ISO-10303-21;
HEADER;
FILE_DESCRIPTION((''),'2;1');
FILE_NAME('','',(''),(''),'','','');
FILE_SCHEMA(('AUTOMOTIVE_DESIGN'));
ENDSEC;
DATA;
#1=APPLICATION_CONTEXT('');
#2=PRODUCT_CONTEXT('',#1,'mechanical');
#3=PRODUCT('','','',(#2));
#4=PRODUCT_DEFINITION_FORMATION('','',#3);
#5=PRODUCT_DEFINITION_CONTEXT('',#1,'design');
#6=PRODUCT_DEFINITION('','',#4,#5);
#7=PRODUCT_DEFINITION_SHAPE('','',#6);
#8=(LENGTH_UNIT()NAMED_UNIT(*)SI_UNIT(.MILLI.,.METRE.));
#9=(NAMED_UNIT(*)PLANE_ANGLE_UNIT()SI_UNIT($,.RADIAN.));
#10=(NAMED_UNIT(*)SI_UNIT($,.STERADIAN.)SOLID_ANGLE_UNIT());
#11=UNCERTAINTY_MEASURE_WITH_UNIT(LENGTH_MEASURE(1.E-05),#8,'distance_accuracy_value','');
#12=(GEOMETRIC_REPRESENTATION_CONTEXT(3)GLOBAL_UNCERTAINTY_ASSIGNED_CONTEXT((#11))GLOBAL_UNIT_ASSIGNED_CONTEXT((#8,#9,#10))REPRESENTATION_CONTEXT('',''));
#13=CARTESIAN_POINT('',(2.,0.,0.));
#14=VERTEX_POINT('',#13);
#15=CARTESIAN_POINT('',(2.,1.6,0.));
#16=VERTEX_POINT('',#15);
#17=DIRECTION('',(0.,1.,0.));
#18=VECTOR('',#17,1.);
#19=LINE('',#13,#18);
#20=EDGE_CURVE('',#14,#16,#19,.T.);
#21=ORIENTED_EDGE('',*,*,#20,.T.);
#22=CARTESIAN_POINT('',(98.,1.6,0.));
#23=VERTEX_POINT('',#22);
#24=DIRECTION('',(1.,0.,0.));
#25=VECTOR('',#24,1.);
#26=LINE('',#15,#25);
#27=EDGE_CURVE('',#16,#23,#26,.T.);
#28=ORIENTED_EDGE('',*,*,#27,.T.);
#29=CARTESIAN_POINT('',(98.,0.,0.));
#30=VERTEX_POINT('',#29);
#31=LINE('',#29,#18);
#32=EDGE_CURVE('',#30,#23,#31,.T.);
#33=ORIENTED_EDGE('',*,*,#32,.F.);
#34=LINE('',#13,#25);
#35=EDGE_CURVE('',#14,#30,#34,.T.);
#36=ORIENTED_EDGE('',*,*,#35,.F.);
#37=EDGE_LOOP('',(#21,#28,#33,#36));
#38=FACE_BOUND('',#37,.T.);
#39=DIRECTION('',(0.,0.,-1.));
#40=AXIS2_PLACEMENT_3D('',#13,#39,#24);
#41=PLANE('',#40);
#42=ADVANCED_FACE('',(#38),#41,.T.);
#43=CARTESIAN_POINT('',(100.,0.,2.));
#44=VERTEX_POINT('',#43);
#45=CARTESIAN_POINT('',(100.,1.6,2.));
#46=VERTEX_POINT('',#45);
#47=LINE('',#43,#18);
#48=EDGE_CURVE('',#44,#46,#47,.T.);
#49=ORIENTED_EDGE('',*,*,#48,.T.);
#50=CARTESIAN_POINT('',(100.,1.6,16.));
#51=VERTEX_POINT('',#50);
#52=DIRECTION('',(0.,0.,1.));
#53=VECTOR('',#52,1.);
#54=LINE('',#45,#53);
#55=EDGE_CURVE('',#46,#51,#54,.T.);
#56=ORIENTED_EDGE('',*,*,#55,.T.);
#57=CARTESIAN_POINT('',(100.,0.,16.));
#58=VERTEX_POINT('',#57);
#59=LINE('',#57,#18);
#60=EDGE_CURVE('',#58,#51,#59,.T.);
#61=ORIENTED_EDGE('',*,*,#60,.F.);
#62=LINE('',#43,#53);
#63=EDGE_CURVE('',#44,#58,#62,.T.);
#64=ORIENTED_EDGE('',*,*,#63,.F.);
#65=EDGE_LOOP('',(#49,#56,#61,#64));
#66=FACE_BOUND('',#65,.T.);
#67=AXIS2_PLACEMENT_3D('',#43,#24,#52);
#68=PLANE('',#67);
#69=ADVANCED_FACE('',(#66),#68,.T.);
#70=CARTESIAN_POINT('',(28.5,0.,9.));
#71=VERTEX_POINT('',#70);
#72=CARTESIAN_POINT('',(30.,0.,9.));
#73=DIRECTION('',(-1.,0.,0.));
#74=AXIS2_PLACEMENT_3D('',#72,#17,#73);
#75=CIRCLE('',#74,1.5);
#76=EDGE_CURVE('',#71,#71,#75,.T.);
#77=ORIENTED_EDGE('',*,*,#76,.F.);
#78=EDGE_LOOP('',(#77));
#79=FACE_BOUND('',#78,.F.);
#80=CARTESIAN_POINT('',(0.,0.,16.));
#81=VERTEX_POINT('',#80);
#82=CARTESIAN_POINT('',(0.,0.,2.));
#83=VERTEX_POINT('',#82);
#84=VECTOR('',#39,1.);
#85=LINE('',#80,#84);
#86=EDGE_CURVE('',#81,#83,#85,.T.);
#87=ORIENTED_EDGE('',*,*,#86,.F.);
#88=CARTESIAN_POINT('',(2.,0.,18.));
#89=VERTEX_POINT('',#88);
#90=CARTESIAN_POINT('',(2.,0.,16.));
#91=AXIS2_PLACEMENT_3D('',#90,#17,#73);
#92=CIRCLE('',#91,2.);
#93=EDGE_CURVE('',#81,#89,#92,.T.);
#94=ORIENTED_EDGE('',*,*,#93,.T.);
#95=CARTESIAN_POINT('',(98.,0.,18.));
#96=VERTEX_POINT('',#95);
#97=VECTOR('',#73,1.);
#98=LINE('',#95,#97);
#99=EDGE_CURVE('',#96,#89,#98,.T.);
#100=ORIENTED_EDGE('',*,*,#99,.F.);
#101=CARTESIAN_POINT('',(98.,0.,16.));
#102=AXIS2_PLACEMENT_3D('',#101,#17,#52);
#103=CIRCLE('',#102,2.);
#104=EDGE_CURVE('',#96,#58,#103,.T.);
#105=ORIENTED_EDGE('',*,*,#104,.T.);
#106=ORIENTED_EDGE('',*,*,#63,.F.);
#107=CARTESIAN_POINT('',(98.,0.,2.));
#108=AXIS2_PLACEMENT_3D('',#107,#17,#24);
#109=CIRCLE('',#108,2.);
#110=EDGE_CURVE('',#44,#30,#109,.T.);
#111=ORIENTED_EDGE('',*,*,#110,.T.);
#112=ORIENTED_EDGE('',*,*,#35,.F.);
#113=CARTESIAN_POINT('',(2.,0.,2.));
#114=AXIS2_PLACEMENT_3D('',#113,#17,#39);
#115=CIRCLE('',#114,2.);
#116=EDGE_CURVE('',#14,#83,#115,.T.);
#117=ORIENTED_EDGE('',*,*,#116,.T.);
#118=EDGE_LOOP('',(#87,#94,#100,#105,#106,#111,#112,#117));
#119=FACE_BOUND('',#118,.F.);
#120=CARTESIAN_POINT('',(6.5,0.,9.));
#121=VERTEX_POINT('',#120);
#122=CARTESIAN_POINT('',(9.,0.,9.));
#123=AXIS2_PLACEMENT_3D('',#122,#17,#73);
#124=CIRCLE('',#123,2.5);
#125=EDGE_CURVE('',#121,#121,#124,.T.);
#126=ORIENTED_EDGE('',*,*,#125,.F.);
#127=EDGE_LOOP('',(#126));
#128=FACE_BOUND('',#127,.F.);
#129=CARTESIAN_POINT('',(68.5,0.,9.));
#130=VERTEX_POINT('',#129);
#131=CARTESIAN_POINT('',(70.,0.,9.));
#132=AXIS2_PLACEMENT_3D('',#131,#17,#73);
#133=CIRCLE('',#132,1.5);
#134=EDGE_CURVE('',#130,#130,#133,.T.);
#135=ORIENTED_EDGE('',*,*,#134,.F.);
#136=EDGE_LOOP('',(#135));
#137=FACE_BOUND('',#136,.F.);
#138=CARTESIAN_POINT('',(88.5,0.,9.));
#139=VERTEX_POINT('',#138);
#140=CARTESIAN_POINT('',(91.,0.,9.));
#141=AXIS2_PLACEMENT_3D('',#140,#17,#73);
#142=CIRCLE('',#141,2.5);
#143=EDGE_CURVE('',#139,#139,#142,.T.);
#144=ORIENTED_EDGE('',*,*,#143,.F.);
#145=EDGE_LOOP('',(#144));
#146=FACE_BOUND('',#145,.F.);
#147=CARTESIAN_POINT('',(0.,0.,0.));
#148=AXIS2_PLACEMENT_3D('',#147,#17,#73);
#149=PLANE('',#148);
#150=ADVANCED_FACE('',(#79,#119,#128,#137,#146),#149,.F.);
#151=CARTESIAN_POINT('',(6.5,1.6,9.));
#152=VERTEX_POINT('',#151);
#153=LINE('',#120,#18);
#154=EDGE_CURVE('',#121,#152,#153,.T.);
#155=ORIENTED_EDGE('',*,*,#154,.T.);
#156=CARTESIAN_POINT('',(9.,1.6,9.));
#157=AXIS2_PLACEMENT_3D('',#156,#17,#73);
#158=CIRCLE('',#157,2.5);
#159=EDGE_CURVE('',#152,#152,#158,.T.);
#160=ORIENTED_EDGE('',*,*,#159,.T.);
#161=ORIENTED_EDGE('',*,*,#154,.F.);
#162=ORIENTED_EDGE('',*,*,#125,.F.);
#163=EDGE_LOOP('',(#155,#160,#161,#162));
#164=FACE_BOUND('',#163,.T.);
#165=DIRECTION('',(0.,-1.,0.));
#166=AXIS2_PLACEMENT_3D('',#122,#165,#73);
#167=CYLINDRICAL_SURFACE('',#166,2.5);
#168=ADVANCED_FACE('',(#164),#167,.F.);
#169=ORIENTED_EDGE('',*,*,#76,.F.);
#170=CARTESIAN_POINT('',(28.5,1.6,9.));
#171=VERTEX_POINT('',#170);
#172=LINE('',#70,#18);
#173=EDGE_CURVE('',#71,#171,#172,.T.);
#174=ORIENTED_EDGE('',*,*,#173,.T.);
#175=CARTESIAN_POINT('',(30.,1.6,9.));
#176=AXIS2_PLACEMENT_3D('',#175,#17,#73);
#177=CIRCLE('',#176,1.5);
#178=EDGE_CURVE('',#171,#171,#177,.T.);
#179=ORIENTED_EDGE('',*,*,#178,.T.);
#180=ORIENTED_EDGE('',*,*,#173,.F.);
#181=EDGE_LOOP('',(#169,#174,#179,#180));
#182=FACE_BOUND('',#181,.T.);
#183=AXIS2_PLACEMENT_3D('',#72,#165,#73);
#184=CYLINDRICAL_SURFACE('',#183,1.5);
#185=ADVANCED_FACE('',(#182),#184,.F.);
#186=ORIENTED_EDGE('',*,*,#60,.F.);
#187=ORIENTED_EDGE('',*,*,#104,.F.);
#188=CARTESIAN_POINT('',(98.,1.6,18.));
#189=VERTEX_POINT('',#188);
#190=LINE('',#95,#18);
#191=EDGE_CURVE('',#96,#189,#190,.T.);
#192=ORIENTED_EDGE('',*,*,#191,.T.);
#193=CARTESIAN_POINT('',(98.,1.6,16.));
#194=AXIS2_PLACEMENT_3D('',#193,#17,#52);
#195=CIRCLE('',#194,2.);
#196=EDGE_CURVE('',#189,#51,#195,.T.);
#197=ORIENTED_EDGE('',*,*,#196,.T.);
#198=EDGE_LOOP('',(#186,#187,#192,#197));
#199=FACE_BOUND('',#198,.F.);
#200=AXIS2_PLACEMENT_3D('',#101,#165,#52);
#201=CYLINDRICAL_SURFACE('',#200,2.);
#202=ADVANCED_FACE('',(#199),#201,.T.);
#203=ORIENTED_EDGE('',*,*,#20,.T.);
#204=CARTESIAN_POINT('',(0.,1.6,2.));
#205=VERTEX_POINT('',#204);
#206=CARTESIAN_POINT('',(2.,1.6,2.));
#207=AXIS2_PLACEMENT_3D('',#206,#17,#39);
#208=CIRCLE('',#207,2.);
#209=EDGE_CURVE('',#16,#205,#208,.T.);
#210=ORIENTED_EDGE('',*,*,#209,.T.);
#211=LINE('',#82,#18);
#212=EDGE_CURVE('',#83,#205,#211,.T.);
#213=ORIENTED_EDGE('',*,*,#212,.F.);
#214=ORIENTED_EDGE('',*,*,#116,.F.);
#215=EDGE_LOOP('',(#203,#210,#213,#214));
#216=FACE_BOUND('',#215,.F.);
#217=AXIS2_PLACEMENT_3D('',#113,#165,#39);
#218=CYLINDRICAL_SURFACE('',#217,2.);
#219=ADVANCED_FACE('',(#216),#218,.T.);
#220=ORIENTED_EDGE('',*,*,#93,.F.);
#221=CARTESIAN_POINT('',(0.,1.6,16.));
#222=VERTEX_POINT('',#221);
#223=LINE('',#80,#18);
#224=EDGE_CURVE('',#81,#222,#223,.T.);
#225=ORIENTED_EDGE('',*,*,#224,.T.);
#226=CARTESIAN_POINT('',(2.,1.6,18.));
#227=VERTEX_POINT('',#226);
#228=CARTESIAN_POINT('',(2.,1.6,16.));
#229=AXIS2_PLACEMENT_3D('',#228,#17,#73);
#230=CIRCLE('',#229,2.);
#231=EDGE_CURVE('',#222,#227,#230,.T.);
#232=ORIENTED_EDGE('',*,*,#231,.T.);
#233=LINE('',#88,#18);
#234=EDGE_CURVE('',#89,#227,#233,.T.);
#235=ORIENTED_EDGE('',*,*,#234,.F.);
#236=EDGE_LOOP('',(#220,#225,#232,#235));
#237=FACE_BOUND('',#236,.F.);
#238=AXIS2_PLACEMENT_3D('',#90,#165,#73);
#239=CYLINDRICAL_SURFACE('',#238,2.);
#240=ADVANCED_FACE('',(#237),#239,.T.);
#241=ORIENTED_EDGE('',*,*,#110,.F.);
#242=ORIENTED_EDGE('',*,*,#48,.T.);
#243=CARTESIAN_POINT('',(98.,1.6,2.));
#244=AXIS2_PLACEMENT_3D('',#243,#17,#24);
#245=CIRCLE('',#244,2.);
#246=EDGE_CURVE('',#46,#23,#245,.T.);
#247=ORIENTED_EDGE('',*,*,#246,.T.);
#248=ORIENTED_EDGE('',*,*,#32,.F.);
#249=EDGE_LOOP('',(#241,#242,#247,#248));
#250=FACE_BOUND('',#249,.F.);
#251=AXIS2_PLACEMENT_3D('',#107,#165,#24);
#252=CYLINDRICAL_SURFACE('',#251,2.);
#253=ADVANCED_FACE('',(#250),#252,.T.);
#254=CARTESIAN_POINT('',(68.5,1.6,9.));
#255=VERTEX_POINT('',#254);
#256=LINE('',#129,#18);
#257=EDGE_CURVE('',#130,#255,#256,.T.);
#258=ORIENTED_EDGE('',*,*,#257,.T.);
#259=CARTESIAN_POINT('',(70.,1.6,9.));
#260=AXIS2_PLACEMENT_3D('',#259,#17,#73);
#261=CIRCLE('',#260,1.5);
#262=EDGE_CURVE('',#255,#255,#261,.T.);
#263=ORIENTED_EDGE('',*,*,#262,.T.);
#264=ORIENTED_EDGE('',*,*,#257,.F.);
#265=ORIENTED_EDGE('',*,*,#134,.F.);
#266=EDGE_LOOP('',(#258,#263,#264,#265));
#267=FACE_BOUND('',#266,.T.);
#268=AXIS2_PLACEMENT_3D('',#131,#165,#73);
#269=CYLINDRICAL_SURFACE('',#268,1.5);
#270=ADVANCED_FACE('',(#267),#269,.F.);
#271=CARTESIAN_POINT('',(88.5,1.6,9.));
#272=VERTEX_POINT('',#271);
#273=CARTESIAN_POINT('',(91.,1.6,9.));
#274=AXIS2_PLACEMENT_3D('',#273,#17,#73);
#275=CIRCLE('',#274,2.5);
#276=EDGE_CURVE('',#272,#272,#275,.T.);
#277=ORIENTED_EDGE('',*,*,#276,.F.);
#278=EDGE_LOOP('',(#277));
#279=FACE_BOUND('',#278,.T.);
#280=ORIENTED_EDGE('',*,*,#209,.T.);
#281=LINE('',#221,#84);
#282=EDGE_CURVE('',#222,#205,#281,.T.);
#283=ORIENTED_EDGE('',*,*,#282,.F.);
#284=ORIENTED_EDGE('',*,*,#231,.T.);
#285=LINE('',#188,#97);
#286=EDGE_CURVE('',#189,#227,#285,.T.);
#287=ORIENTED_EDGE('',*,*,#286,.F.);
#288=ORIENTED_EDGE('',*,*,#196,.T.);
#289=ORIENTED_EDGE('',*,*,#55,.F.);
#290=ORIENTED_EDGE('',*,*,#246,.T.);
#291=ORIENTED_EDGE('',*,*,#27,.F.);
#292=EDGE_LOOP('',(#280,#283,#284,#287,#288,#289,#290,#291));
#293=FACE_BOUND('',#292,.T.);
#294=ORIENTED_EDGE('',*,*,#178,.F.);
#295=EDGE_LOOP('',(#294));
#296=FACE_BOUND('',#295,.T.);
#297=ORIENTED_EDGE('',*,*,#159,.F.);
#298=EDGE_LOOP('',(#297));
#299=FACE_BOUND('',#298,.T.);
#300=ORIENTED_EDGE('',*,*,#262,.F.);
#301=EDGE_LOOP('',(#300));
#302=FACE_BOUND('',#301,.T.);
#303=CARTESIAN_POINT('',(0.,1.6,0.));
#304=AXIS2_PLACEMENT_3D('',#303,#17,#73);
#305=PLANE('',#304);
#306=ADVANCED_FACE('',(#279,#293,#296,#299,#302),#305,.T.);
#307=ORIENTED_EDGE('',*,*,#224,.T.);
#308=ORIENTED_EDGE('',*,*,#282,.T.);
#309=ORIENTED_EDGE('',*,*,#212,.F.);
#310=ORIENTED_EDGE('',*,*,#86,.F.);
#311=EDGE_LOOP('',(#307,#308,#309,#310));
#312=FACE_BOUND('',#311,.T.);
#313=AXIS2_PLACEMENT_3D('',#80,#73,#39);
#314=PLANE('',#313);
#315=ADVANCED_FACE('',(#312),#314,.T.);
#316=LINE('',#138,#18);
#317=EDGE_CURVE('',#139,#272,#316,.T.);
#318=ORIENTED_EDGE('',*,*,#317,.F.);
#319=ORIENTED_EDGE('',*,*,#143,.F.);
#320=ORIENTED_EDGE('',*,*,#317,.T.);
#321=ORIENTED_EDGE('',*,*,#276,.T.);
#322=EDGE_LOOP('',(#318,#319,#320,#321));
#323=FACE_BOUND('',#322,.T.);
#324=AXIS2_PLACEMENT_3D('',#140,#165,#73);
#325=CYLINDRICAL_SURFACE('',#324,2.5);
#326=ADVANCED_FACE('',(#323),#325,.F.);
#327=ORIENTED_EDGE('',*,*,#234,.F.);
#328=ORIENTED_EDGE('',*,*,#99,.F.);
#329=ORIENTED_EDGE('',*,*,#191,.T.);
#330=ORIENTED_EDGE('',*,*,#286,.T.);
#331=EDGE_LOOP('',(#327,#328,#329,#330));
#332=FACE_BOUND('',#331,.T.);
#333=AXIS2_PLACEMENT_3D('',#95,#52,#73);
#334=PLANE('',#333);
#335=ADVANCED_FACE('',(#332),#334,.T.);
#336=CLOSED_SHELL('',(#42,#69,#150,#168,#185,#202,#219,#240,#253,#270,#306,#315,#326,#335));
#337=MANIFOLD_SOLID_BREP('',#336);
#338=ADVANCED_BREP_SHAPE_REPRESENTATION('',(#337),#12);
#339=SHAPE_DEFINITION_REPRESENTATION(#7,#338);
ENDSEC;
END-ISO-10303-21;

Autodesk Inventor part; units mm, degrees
ref_plane "YZ Plane" through (0, 0, 0) normal (1, 0, 0) x (0, 1, 0)
ref_plane "XZ Plane" through (0, 0, 0) normal (0, 1, 0) x (-1, 0, 0)
ref_plane "XY Plane" through (0, 0, 0) normal (0, 0, 1) x (1, 0, 0)
sketch "Szkic1" plane through (0, 0, 0) normal (0, 1, 0) x (-1, 0, 0)
  line L0 (-2, 0) -> (-98, 0)
  line L1 (-100, 2) -> (-100, 16)
  line L2 (-98, 18) -> (-2, 18)
  line L3 (0, 16) -> (0, 2)
  circle A0 centre (-9, 9) radius 2.5
  circle A1 centre (-30, 9) radius 1.5
  circle A2 centre (-91, 9) radius 2.5
  circle A3 centre (-70, 9) radius 1.5
  arc A4 (-2, 0) -> (0, 2) centre (-2, 2) ccw
  arc A5 (0, 16) -> (-2, 18) centre (-2, 16) ccw
  arc A6 (-100, 2) -> (-98, 0) centre (-98, 2) ccw
  arc A7 (-98, 18) -> (-100, 16) centre (-98, 16) ccw
  point P0 (0, 0)
  point P1 (-100, 18)
  point P2 (-100, 0)
  point P3 (0, 18)
  dimension "d0" = 100
  dimension "d1" = 18
  dimension "d2" = 5
  dimension "d3" = 9
  dimension "d4" = 9
  dimension "d5" = 3
  dimension "d6" = 9
  dimension "d7" = 30
  dimension "d8" = 2
extrude "Wyciągnięcie proste1" add sketch "Szkic1" along normal blind 1.6
equation "\"d4\" = 0.5 * d1"
equation "\"d6\" = d4"
properties part number "ramie1a"
